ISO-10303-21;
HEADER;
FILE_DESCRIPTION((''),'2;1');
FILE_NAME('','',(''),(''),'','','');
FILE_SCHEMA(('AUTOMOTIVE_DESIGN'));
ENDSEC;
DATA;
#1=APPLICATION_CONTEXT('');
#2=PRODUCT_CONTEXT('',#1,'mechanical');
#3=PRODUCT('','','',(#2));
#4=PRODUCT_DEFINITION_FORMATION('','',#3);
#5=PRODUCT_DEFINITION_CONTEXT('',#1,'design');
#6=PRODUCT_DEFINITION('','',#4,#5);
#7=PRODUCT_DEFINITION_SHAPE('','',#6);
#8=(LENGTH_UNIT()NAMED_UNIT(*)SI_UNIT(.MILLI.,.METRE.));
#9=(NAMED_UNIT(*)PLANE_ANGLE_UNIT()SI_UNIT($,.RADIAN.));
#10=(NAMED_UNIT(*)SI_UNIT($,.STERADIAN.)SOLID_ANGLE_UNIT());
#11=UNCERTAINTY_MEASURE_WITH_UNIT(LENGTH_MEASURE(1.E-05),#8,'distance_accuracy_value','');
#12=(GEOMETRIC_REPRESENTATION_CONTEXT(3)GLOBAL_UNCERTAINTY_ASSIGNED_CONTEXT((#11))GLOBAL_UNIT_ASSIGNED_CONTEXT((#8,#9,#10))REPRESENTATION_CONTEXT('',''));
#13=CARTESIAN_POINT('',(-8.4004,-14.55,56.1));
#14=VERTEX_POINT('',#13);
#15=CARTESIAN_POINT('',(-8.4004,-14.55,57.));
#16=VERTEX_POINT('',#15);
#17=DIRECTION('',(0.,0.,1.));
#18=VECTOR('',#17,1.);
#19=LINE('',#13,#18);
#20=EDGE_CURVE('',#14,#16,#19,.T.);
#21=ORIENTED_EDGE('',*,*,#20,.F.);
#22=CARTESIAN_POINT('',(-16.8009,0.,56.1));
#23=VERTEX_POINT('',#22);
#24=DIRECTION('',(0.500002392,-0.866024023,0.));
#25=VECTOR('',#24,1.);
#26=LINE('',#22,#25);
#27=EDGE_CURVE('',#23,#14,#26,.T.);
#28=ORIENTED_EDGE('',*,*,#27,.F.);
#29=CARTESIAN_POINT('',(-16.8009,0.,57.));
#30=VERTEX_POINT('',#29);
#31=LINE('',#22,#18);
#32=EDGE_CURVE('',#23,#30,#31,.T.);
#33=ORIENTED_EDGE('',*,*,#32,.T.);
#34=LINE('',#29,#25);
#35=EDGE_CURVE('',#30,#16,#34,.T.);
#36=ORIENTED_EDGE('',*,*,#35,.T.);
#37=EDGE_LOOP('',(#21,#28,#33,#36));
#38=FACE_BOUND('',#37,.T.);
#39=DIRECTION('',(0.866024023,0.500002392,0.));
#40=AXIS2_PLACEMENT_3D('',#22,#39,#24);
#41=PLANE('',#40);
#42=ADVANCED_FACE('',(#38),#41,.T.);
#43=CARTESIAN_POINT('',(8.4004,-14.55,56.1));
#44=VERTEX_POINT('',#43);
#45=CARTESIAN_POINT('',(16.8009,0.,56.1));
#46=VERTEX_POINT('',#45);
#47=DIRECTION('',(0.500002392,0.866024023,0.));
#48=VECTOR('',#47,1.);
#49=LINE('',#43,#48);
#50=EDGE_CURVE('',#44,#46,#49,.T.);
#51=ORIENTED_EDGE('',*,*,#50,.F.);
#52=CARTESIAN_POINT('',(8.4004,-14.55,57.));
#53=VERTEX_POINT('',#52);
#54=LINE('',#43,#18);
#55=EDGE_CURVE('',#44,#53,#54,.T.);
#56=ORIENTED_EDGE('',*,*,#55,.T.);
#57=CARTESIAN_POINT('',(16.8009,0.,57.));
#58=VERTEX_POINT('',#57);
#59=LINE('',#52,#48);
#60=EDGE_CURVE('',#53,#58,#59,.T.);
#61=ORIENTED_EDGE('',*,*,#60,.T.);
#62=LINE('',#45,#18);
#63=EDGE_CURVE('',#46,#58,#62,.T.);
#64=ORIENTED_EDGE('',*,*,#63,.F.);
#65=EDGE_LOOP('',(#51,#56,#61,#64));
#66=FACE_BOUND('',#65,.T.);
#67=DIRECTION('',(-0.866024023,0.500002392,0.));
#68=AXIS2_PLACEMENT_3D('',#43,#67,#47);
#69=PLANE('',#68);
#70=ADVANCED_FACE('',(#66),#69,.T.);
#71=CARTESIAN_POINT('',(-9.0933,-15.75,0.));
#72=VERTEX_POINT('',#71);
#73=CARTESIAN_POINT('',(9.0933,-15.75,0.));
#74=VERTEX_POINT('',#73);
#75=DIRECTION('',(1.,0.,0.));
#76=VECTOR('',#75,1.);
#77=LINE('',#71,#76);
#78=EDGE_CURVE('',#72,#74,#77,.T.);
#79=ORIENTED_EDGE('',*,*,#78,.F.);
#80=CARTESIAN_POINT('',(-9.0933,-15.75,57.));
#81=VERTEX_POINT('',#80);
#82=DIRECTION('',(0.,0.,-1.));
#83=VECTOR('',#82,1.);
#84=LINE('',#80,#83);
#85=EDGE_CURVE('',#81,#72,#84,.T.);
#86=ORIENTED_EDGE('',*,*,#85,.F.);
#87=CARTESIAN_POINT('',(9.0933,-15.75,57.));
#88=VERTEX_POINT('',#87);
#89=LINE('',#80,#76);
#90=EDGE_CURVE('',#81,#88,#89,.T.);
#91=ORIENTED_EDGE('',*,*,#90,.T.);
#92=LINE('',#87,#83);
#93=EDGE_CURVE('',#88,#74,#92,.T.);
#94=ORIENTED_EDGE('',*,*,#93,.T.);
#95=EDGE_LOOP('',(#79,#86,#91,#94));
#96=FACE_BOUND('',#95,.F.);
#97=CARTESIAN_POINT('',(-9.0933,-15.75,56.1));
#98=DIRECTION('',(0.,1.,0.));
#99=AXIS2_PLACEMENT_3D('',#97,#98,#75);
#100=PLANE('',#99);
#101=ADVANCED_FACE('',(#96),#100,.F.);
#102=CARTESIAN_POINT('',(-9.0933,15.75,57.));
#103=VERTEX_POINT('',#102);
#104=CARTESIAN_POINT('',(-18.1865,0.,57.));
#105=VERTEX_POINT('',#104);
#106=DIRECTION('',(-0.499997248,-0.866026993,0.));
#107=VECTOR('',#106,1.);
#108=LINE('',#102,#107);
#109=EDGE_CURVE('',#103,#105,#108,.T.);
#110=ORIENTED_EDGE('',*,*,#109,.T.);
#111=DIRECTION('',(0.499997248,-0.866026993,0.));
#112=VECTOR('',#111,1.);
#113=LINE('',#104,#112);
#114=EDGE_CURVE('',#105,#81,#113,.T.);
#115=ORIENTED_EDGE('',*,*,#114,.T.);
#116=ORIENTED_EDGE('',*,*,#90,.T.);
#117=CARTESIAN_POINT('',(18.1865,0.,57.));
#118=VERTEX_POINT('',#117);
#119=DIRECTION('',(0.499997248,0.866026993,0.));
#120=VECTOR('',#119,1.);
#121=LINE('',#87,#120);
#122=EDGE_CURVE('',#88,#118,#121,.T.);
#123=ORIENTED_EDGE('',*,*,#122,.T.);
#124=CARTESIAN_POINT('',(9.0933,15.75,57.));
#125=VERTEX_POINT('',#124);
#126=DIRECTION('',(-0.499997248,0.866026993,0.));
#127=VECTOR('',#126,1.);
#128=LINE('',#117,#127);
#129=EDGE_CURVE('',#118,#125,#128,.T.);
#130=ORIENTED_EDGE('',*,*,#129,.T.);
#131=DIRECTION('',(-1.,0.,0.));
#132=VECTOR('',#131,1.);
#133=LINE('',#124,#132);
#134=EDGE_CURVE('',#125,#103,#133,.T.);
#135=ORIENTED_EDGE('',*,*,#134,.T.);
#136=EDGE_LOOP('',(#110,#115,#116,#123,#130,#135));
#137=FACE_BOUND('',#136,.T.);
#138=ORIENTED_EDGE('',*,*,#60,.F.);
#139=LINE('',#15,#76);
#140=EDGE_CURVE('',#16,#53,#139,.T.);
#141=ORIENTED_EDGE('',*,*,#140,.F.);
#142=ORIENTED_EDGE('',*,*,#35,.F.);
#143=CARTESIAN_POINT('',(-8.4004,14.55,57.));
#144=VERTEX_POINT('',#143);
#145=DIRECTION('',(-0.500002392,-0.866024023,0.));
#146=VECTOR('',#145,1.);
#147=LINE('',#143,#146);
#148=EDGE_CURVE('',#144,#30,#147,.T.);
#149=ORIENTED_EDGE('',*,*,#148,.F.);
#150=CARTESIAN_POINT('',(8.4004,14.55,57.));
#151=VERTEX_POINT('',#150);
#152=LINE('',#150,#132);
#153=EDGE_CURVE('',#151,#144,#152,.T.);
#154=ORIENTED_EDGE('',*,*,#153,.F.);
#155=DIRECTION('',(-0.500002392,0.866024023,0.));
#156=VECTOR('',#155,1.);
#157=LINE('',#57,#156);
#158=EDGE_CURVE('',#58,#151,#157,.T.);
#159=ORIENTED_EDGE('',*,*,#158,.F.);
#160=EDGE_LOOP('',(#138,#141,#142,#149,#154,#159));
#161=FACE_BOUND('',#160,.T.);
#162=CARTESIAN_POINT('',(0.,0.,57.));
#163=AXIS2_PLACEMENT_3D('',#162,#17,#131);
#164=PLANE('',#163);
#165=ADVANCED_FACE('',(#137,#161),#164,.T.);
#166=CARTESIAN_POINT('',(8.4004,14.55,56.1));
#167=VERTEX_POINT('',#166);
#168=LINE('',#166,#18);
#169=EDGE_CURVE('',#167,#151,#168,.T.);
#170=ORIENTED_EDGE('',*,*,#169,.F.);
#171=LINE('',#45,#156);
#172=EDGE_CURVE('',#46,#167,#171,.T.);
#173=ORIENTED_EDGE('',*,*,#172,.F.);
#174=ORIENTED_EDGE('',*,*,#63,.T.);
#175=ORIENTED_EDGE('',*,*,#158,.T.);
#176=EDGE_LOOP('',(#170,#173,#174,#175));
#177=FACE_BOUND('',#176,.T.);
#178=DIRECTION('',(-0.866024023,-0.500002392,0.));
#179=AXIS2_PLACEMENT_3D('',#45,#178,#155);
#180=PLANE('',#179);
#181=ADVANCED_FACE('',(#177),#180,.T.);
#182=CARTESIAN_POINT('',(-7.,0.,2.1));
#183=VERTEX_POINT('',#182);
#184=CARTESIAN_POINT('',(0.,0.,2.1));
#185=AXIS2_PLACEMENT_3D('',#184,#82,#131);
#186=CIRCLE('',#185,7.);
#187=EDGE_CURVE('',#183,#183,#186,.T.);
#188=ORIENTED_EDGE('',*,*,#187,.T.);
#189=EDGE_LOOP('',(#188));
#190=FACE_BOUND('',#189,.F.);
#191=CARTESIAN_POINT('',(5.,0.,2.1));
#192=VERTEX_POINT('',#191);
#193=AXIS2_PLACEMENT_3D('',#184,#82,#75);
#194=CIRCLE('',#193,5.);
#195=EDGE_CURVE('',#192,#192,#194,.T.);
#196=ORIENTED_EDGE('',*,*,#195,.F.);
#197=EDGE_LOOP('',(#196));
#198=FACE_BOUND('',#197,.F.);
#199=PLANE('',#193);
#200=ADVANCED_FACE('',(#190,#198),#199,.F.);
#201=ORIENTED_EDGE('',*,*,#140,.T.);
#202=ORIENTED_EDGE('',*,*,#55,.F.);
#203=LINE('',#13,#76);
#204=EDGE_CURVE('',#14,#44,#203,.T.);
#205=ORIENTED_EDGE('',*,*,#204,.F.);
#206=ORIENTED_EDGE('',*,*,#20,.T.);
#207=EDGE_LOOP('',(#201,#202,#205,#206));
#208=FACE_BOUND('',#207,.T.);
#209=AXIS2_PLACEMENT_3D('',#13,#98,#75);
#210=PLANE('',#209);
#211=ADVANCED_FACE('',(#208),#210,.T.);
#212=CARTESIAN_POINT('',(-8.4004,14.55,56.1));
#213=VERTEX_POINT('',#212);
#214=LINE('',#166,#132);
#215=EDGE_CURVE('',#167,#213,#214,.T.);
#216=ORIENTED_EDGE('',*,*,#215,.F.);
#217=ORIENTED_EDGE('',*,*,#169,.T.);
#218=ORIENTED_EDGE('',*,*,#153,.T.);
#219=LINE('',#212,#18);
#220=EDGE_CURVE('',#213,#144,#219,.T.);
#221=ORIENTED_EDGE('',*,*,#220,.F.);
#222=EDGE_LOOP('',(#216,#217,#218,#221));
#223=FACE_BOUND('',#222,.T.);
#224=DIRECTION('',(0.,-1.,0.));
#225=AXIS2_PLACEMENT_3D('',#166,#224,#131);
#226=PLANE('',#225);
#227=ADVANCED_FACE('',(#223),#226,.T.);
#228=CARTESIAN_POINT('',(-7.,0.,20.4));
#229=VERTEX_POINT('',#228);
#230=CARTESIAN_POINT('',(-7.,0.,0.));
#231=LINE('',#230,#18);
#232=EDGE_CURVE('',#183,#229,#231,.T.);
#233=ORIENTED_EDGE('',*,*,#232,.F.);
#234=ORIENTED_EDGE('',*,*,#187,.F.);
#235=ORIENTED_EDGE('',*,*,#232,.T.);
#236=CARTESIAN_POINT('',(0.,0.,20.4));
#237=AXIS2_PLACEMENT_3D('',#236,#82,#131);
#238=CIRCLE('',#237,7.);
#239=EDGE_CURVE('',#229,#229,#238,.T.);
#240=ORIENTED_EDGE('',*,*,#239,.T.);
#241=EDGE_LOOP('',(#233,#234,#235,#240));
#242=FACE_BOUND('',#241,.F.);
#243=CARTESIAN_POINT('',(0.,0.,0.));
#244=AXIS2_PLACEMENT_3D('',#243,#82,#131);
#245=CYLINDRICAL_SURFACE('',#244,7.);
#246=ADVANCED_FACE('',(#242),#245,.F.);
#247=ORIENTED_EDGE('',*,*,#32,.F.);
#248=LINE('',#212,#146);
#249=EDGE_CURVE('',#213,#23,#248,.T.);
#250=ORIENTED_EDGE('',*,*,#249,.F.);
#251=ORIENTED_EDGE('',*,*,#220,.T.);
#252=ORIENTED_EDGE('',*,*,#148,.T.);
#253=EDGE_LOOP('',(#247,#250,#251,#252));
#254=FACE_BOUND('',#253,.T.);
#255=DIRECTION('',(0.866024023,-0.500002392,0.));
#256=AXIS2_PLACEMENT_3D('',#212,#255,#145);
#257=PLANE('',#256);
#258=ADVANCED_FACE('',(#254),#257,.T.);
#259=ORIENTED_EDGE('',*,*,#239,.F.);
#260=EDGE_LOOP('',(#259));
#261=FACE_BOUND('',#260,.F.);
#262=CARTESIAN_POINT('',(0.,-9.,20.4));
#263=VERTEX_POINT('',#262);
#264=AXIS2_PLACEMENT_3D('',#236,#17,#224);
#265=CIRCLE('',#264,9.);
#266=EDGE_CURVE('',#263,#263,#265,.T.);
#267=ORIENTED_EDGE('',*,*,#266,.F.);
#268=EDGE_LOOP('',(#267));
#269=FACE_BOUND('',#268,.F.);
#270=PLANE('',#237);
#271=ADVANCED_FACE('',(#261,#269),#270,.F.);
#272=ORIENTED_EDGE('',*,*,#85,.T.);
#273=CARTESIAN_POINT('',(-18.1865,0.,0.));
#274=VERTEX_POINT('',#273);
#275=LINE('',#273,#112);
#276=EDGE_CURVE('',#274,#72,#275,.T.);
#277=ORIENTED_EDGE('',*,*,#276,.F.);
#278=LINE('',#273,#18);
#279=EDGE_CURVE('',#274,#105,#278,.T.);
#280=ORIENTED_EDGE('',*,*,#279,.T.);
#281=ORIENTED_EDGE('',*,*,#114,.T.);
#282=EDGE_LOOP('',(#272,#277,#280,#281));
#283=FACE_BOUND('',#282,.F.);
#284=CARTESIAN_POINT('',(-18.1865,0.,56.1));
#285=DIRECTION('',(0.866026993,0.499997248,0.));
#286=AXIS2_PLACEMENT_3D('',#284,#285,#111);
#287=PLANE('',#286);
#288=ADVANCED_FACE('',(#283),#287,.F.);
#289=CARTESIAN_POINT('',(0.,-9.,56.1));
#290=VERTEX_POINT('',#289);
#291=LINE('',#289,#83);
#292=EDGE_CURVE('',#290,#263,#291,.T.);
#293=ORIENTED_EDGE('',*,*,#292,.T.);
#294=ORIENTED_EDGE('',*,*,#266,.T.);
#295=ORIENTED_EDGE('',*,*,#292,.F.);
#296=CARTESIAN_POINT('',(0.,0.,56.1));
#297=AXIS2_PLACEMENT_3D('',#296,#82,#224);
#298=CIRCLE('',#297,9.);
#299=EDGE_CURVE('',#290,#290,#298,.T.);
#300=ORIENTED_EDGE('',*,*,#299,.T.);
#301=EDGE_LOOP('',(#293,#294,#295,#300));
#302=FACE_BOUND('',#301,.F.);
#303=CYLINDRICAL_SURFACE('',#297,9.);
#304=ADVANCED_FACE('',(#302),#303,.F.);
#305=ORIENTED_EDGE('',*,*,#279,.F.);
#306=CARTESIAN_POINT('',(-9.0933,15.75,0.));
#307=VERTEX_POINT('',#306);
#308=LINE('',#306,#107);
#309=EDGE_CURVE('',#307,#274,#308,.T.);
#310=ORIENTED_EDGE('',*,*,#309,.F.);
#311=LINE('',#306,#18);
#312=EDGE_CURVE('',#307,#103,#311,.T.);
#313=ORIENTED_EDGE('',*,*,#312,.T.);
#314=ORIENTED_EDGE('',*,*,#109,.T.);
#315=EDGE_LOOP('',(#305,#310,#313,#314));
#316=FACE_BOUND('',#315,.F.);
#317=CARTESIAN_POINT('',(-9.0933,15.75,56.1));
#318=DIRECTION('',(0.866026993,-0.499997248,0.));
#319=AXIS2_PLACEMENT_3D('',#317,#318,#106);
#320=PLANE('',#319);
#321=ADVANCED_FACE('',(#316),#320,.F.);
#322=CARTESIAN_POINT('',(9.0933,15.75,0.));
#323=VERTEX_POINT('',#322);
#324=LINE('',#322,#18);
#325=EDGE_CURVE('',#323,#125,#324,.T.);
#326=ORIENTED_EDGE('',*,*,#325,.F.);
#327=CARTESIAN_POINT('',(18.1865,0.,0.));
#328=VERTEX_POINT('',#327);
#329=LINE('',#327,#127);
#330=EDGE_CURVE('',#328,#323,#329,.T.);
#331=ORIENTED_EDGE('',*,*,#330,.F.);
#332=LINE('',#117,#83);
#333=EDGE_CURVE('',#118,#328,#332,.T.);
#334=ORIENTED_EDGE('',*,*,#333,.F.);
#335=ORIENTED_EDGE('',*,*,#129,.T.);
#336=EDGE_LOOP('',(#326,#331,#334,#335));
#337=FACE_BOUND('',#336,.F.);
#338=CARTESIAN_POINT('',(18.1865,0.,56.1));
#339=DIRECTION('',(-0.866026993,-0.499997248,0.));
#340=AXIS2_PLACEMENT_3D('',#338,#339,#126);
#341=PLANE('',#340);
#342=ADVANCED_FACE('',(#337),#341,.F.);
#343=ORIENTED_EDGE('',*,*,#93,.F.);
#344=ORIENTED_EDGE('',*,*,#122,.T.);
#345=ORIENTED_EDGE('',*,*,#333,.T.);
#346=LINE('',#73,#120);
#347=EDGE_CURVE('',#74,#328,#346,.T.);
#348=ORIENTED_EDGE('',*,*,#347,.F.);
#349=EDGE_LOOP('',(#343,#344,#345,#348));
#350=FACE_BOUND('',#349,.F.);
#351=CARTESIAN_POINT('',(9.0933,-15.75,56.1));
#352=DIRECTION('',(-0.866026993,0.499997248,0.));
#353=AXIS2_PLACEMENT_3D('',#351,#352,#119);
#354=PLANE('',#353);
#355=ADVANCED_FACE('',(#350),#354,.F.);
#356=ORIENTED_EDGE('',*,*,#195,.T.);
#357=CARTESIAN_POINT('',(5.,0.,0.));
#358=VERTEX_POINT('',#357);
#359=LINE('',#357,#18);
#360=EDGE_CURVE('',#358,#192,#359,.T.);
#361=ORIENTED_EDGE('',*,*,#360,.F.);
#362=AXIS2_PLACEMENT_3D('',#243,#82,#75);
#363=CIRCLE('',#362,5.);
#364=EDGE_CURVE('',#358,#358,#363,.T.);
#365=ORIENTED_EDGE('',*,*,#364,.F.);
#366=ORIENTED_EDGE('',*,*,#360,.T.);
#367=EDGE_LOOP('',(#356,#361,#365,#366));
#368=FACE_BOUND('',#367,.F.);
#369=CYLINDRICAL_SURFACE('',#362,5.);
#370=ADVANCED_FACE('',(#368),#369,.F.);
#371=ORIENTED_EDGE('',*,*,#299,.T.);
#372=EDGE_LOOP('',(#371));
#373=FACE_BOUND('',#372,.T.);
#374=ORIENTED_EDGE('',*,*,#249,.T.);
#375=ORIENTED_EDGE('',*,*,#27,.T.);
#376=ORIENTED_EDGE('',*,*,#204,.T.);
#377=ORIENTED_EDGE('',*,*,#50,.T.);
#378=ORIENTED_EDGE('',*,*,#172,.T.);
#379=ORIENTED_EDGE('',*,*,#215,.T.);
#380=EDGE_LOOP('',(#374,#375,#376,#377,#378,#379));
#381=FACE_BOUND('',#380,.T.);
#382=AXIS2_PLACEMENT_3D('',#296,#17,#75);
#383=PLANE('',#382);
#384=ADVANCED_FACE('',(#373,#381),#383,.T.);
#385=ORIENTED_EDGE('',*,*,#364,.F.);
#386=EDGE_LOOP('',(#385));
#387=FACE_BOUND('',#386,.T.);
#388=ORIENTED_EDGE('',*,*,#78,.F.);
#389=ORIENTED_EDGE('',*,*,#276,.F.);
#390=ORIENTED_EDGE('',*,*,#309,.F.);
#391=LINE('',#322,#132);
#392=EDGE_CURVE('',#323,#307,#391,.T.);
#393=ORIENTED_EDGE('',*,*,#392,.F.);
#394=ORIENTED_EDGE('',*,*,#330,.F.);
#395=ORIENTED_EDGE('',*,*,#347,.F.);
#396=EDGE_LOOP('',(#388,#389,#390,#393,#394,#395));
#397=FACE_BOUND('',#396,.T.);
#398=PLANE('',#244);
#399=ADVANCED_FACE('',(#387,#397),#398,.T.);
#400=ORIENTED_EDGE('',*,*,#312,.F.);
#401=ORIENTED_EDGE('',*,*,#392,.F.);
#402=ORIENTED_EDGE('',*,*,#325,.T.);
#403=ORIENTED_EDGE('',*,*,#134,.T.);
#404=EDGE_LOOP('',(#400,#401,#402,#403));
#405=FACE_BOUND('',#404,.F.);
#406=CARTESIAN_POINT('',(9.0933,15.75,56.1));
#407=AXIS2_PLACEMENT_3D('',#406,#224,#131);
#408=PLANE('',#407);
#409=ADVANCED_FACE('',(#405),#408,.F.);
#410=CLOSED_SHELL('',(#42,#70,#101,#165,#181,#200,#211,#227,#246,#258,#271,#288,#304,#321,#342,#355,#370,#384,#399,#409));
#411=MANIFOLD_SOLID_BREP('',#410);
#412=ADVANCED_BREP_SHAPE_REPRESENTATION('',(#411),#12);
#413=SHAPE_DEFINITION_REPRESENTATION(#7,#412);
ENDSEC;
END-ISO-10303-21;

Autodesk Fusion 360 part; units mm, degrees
sketch "Sketch1" plane through (0, 0, 0) normal (0, 0, 1) x (1, 0, 0)
  line L0 (-9.0933, 15.75) -> (-18.1865, 0)
  line L1 (-18.1865, 0) -> (-9.0933, -15.75)
  line L2 (-9.0933, -15.75) -> (9.0933, -15.75)
  line L3 (9.0933, -15.75) -> (18.1865, 0)
  line L4 (18.1865, 0) -> (9.0933, 15.75)
  line L5 (9.0933, 15.75) -> (-9.0933, 15.75)
  dimension "d8" = 31.5
extrude "Extrude1" add sketch "Sketch1" along normal blind 56.1
sketch "Sketch3" plane through (0, 0, 56.1) normal (0, 0, 1) x (-1, 0, 0)
  line L0 (-9.0933, -15.75) -> (9.0933, -15.75)
  line L1 (9.0933, -15.75) -> (18.1865, 0)
  line L2 (18.1865, 0) -> (9.0933, 15.75)
  line L3 (9.0933, 15.75) -> (-9.0933, 15.75)
  line L4 (-9.0933, 15.75) -> (-18.1865, 0)
  line L5 (-18.1865, 0) -> (-9.0933, -15.75)
hole "Hole1" at (0, 0, 56.1) direction (0, 0, -1) diameter 18 end through all
sketch "Sketch4" plane through (0, 0, 0) normal (0, 0, -1) x (1, 0, 0)
  circle A0 centre (0, 0) radius 9
  line L0 (-9.0933, -15.75) -> (9.0933, -15.75)
  line L1 (9.0933, -15.75) -> (18.1865, 0)
  line L2 (18.1865, 0) -> (9.0933, 15.75)
  line L3 (9.0933, 15.75) -> (-9.0933, 15.75)
  line L4 (-9.0933, 15.75) -> (-18.1865, 0)
  line L5 (-18.1865, 0) -> (-9.0933, -15.75)
  circle A1 centre (0, 0) radius 9
  circle A2 centre (0, 0) radius 5
  dimension "d12" = 10
extrude "Extrude3" add sketch "Sketch4" against normal blind 2.1 contours A0 A1
sketch "Sketch5" plane through (0, 0, 56.1) normal (0, 0, 1) x (-1, 0, 0)
  circle A0 centre (0, 0) radius 9
  line L0 (-9.0933, -15.75) -> (9.0933, -15.75)
  line L1 (9.0933, -15.75) -> (18.1865, 0)
  line L2 (18.1865, 0) -> (9.0933, 15.75)
  line L3 (9.0933, 15.75) -> (-9.0933, 15.75)
  line L4 (-9.0933, 15.75) -> (-18.1865, 0)
  line L5 (-18.1865, 0) -> (-9.0933, -15.75)
  line L6 (8.4004, -14.55) -> (16.8009, 0)
  line L7 (16.8009, 0) -> (8.4004, 14.55)
  line L8 (8.4004, 14.55) -> (-8.4004, 14.55)
  line L9 (-8.4004, 14.55) -> (-16.8009, 0)
  line L10 (-16.8009, 0) -> (-8.4004, -14.55)
  line L11 (-8.4004, -14.55) -> (8.4004, -14.55)
  dimension "d15" = 29.1
extrude "Extrude4" add sketch "Sketch5" along normal blind 0.9 contours L0 L1 L2 L3 L4 L5
sketch "Sketch6" plane through (0, 0, 0) normal (0, 0, -1) x (-1, 0, 0)
  line L0 (8.4004, -14.55) -> (-8.4004, -14.55)
  line L1 (-8.4004, -14.55) -> (-16.8009, 0)
  line L2 (-16.8009, 0) -> (-8.4004, 14.55)
  line L3 (-8.4004, 14.55) -> (8.4004, 14.55)
  line L4 (8.4004, 14.55) -> (16.8009, 0)
  line L5 (16.8009, 0) -> (8.4004, -14.55)
  line L6 (-18.1865, 0) -> (-9.0933, -15.75)
  line L7 (-9.0933, -15.75) -> (9.0933, -15.75)
  line L8 (9.0933, -15.75) -> (18.1865, 0)
  line L9 (18.1865, 0) -> (9.0933, 15.75)
  line L10 (9.0933, 15.75) -> (-9.0933, 15.75)
  line L11 (-9.0933, 15.75) -> (-18.1865, 0)
  circle A0 centre (0, 0) radius 7
  circle A1 centre (0, 0) radius 9
  circle A2 centre (0, 0) radius 5
  line L12 (9.0933, 15.75) -> (-9.0933, 15.75)
  line L13 (-9.0933, 15.75) -> (-18.1865, 0)
  line L14 (-18.1865, 0) -> (-9.0933, -15.75)
  line L15 (-9.0933, -15.75) -> (9.0933, -15.75)
  line L16 (9.0933, -15.75) -> (18.1865, 0)
  line L17 (18.1865, 0) -> (9.0933, 15.75)
  dimension "d18" = 14
extrude "Extrude5" add sketch "Sketch6" against normal blind 20.4 contours A1
equation "d8 = 29.1 mm + 2.4 mm"
